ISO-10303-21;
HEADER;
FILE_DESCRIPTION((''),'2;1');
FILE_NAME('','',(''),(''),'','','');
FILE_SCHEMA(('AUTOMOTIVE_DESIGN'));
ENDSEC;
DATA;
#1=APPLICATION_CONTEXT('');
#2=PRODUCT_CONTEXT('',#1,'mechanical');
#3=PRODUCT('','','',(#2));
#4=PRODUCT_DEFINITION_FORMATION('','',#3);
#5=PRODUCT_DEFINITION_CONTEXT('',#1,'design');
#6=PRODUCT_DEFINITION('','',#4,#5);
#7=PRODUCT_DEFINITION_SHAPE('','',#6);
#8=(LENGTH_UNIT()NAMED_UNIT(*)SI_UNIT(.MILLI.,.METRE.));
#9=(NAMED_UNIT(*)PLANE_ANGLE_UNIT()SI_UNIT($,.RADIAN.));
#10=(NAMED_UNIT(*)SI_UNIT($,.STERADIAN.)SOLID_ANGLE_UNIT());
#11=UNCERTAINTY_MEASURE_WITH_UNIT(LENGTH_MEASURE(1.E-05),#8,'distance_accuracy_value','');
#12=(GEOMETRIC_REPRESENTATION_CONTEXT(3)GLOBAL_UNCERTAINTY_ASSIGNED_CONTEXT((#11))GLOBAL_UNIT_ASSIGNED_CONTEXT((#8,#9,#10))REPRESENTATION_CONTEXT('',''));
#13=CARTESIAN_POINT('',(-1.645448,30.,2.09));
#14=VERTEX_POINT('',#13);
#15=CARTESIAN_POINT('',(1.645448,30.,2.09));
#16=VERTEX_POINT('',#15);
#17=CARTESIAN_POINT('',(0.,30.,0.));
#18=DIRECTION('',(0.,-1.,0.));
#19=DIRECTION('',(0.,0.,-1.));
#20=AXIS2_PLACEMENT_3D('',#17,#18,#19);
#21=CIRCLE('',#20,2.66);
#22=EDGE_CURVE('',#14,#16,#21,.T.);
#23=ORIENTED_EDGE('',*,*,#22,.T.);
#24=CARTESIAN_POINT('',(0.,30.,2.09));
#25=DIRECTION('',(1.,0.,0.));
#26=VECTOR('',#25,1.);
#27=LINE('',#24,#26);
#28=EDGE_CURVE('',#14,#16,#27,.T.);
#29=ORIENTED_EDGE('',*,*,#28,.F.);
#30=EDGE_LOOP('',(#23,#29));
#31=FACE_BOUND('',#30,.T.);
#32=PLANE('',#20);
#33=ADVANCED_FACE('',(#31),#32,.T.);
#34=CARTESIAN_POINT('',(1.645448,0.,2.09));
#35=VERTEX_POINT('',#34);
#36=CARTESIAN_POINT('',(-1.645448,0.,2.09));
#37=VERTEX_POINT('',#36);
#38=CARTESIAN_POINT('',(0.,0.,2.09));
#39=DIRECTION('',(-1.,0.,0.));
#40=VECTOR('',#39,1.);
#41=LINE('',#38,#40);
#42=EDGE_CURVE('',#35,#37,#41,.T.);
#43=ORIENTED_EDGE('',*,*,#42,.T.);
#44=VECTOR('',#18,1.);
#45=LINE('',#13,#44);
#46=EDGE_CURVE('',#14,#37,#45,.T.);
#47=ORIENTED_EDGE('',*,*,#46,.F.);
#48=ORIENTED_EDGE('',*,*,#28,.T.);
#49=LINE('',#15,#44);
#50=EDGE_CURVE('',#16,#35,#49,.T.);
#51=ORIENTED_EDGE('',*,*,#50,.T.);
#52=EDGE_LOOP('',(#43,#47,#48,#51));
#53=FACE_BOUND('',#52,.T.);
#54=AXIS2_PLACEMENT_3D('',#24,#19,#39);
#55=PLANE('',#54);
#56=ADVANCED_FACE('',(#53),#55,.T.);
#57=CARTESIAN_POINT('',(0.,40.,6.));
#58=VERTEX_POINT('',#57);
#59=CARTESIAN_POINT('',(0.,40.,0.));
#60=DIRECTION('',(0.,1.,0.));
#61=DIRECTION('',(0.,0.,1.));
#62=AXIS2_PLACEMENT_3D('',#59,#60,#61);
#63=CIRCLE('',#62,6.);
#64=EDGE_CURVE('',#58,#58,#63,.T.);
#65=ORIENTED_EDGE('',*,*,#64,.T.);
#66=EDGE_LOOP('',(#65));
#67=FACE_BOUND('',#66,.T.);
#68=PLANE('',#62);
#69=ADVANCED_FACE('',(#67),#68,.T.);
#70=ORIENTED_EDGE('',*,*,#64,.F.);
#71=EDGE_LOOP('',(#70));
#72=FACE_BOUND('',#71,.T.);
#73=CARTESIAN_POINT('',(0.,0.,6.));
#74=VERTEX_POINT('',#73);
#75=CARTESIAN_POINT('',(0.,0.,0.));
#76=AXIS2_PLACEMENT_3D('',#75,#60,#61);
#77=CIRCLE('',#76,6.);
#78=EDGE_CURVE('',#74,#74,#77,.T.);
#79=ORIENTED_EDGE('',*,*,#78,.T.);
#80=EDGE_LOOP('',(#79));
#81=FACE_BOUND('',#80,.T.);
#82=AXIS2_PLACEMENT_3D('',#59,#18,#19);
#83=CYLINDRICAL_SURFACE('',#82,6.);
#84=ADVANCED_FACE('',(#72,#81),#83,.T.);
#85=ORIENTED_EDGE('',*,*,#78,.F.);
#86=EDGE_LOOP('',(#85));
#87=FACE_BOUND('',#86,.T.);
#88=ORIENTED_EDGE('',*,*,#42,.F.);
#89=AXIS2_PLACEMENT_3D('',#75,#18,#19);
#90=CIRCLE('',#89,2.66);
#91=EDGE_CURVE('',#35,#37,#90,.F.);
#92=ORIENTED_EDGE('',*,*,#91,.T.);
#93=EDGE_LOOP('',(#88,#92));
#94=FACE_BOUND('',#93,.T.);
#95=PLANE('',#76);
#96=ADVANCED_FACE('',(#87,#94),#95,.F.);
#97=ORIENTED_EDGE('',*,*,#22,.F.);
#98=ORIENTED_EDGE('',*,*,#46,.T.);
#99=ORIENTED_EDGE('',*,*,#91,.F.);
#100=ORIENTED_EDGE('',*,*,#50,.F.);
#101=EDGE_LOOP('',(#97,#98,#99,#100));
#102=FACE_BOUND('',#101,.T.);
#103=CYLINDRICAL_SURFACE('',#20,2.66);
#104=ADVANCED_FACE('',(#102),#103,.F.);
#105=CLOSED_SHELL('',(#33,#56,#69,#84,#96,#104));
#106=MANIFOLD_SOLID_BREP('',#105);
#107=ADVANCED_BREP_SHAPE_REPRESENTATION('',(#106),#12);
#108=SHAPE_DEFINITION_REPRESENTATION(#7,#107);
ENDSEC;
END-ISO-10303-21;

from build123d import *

# Parameters (mm, degrees)
SKETCH1_R               = 6
BOSS_EXTRUDE1_DEPTH     = 40
CUT_EXTRUDE3_DEPTH      = 1
CUT_EXTRUDE3_DEPTH_BACK = 30


with BuildPart() as part:
    # Sketch1 → Boss-Extrude1 (new body)
    with BuildSketch(Plane(origin=(0, 0, 0), x_dir=(1, 0, 0), z_dir=(0, 1, 0))):
        Circle(SKETCH1_R)
    extrude(amount=BOSS_EXTRUDE1_DEPTH)

    # Sketch2 → Cut-Extrude3 (cut, two sides)
    with BuildSketch(Plane.XZ) as cut_extrude3_sk:
        with BuildLine():
            Line((1.645448267, 2.09), (-1.645448267, 2.09))
            ThreePointArc((-1.645448267, 2.09), (-1.161616892, -2.392957625), (2.66, 0))
            ThreePointArc((2.66, 0), (2.392957625, 1.161616892), (1.645448267, 2.09))
        make_face()
    extrude(amount=CUT_EXTRUDE3_DEPTH, mode=Mode.SUBTRACT)
    extrude(cut_extrude3_sk.sketch, amount=-CUT_EXTRUDE3_DEPTH_BACK, mode=Mode.SUBTRACT)


solid = part.part
